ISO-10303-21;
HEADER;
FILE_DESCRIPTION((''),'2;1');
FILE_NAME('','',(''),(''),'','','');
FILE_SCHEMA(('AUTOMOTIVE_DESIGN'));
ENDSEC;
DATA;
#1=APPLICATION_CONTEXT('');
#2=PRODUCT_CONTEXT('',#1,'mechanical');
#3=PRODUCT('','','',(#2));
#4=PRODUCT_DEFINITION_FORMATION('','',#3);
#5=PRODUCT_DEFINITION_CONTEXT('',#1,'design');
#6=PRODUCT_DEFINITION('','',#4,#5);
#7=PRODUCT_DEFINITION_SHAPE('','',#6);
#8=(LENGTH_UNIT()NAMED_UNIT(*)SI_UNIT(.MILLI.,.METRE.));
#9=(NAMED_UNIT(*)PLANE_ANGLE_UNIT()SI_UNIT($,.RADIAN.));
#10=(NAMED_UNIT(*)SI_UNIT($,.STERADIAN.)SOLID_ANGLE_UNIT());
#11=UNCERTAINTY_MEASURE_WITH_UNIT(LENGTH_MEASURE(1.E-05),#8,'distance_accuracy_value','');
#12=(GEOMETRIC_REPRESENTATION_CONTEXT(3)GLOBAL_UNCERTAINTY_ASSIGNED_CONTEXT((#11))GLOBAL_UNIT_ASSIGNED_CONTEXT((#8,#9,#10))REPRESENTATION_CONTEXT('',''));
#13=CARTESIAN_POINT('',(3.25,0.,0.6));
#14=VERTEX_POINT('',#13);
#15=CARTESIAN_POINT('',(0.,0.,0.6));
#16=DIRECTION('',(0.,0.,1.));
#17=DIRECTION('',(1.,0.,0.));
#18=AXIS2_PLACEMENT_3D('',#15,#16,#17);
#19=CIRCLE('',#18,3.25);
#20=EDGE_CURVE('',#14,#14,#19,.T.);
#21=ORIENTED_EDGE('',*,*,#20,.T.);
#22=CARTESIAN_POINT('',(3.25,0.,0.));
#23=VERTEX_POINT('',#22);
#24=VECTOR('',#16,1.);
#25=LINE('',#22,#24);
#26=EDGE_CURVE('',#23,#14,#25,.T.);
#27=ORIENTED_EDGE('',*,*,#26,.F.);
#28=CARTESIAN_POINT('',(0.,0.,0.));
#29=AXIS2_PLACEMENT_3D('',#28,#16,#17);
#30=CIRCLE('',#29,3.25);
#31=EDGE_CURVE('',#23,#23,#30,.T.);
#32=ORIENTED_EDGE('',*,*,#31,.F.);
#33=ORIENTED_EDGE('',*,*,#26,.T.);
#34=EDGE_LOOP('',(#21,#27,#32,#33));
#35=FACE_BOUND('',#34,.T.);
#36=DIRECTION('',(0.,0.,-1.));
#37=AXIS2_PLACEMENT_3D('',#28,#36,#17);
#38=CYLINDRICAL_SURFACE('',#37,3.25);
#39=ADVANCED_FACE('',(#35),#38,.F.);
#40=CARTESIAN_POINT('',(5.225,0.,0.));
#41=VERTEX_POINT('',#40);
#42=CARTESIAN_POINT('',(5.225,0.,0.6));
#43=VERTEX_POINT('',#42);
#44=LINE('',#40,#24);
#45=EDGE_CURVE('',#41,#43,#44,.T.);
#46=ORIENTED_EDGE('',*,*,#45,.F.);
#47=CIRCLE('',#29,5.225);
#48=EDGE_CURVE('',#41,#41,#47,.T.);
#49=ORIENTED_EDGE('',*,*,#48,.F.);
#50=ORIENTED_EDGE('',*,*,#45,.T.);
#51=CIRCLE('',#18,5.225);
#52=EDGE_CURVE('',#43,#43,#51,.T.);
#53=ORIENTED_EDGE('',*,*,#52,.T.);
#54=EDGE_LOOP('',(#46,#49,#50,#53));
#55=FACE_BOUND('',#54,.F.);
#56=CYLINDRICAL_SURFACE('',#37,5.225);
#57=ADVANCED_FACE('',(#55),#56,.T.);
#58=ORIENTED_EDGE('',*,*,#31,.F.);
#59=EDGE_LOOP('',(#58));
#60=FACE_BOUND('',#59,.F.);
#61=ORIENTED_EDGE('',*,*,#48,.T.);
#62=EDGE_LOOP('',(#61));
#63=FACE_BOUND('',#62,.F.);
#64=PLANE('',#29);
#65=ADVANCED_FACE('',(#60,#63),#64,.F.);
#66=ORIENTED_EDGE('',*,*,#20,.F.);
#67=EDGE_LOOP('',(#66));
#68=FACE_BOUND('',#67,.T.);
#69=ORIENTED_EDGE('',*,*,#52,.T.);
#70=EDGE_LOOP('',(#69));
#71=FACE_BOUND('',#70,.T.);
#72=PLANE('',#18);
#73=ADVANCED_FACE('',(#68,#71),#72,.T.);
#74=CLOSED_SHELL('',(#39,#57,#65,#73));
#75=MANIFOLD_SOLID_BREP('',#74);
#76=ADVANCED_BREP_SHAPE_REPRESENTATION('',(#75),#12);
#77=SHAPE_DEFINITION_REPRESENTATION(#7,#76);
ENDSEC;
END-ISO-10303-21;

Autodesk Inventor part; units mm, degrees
ref_plane "YZ Plane" through (0, 0, 0) normal (1, 0, 0) x (0, 1, 0)
ref_plane "XZ Plane" through (0, 0, 0) normal (0, 1, 0) x (-1, 0, 0)
ref_plane "XY Plane" through (0, 0, 0) normal (0, 0, 1) x (1, 0, 0)
sketch "Sketch1" plane through (0, 0, 0) normal (0, 0, 1) x (1, 0, 0)
  circle A0 centre (0, 0) radius 5.225
  circle A1 centre (0, 0) radius 3.25
  dimension "d0" = 10.45
  dimension "d1" = 6.5
extrude "Extrusion1" add sketch "Sketch1" along normal blind 0.6
properties part number "W9011M COAXIAL CONNECTOR WASHER"
